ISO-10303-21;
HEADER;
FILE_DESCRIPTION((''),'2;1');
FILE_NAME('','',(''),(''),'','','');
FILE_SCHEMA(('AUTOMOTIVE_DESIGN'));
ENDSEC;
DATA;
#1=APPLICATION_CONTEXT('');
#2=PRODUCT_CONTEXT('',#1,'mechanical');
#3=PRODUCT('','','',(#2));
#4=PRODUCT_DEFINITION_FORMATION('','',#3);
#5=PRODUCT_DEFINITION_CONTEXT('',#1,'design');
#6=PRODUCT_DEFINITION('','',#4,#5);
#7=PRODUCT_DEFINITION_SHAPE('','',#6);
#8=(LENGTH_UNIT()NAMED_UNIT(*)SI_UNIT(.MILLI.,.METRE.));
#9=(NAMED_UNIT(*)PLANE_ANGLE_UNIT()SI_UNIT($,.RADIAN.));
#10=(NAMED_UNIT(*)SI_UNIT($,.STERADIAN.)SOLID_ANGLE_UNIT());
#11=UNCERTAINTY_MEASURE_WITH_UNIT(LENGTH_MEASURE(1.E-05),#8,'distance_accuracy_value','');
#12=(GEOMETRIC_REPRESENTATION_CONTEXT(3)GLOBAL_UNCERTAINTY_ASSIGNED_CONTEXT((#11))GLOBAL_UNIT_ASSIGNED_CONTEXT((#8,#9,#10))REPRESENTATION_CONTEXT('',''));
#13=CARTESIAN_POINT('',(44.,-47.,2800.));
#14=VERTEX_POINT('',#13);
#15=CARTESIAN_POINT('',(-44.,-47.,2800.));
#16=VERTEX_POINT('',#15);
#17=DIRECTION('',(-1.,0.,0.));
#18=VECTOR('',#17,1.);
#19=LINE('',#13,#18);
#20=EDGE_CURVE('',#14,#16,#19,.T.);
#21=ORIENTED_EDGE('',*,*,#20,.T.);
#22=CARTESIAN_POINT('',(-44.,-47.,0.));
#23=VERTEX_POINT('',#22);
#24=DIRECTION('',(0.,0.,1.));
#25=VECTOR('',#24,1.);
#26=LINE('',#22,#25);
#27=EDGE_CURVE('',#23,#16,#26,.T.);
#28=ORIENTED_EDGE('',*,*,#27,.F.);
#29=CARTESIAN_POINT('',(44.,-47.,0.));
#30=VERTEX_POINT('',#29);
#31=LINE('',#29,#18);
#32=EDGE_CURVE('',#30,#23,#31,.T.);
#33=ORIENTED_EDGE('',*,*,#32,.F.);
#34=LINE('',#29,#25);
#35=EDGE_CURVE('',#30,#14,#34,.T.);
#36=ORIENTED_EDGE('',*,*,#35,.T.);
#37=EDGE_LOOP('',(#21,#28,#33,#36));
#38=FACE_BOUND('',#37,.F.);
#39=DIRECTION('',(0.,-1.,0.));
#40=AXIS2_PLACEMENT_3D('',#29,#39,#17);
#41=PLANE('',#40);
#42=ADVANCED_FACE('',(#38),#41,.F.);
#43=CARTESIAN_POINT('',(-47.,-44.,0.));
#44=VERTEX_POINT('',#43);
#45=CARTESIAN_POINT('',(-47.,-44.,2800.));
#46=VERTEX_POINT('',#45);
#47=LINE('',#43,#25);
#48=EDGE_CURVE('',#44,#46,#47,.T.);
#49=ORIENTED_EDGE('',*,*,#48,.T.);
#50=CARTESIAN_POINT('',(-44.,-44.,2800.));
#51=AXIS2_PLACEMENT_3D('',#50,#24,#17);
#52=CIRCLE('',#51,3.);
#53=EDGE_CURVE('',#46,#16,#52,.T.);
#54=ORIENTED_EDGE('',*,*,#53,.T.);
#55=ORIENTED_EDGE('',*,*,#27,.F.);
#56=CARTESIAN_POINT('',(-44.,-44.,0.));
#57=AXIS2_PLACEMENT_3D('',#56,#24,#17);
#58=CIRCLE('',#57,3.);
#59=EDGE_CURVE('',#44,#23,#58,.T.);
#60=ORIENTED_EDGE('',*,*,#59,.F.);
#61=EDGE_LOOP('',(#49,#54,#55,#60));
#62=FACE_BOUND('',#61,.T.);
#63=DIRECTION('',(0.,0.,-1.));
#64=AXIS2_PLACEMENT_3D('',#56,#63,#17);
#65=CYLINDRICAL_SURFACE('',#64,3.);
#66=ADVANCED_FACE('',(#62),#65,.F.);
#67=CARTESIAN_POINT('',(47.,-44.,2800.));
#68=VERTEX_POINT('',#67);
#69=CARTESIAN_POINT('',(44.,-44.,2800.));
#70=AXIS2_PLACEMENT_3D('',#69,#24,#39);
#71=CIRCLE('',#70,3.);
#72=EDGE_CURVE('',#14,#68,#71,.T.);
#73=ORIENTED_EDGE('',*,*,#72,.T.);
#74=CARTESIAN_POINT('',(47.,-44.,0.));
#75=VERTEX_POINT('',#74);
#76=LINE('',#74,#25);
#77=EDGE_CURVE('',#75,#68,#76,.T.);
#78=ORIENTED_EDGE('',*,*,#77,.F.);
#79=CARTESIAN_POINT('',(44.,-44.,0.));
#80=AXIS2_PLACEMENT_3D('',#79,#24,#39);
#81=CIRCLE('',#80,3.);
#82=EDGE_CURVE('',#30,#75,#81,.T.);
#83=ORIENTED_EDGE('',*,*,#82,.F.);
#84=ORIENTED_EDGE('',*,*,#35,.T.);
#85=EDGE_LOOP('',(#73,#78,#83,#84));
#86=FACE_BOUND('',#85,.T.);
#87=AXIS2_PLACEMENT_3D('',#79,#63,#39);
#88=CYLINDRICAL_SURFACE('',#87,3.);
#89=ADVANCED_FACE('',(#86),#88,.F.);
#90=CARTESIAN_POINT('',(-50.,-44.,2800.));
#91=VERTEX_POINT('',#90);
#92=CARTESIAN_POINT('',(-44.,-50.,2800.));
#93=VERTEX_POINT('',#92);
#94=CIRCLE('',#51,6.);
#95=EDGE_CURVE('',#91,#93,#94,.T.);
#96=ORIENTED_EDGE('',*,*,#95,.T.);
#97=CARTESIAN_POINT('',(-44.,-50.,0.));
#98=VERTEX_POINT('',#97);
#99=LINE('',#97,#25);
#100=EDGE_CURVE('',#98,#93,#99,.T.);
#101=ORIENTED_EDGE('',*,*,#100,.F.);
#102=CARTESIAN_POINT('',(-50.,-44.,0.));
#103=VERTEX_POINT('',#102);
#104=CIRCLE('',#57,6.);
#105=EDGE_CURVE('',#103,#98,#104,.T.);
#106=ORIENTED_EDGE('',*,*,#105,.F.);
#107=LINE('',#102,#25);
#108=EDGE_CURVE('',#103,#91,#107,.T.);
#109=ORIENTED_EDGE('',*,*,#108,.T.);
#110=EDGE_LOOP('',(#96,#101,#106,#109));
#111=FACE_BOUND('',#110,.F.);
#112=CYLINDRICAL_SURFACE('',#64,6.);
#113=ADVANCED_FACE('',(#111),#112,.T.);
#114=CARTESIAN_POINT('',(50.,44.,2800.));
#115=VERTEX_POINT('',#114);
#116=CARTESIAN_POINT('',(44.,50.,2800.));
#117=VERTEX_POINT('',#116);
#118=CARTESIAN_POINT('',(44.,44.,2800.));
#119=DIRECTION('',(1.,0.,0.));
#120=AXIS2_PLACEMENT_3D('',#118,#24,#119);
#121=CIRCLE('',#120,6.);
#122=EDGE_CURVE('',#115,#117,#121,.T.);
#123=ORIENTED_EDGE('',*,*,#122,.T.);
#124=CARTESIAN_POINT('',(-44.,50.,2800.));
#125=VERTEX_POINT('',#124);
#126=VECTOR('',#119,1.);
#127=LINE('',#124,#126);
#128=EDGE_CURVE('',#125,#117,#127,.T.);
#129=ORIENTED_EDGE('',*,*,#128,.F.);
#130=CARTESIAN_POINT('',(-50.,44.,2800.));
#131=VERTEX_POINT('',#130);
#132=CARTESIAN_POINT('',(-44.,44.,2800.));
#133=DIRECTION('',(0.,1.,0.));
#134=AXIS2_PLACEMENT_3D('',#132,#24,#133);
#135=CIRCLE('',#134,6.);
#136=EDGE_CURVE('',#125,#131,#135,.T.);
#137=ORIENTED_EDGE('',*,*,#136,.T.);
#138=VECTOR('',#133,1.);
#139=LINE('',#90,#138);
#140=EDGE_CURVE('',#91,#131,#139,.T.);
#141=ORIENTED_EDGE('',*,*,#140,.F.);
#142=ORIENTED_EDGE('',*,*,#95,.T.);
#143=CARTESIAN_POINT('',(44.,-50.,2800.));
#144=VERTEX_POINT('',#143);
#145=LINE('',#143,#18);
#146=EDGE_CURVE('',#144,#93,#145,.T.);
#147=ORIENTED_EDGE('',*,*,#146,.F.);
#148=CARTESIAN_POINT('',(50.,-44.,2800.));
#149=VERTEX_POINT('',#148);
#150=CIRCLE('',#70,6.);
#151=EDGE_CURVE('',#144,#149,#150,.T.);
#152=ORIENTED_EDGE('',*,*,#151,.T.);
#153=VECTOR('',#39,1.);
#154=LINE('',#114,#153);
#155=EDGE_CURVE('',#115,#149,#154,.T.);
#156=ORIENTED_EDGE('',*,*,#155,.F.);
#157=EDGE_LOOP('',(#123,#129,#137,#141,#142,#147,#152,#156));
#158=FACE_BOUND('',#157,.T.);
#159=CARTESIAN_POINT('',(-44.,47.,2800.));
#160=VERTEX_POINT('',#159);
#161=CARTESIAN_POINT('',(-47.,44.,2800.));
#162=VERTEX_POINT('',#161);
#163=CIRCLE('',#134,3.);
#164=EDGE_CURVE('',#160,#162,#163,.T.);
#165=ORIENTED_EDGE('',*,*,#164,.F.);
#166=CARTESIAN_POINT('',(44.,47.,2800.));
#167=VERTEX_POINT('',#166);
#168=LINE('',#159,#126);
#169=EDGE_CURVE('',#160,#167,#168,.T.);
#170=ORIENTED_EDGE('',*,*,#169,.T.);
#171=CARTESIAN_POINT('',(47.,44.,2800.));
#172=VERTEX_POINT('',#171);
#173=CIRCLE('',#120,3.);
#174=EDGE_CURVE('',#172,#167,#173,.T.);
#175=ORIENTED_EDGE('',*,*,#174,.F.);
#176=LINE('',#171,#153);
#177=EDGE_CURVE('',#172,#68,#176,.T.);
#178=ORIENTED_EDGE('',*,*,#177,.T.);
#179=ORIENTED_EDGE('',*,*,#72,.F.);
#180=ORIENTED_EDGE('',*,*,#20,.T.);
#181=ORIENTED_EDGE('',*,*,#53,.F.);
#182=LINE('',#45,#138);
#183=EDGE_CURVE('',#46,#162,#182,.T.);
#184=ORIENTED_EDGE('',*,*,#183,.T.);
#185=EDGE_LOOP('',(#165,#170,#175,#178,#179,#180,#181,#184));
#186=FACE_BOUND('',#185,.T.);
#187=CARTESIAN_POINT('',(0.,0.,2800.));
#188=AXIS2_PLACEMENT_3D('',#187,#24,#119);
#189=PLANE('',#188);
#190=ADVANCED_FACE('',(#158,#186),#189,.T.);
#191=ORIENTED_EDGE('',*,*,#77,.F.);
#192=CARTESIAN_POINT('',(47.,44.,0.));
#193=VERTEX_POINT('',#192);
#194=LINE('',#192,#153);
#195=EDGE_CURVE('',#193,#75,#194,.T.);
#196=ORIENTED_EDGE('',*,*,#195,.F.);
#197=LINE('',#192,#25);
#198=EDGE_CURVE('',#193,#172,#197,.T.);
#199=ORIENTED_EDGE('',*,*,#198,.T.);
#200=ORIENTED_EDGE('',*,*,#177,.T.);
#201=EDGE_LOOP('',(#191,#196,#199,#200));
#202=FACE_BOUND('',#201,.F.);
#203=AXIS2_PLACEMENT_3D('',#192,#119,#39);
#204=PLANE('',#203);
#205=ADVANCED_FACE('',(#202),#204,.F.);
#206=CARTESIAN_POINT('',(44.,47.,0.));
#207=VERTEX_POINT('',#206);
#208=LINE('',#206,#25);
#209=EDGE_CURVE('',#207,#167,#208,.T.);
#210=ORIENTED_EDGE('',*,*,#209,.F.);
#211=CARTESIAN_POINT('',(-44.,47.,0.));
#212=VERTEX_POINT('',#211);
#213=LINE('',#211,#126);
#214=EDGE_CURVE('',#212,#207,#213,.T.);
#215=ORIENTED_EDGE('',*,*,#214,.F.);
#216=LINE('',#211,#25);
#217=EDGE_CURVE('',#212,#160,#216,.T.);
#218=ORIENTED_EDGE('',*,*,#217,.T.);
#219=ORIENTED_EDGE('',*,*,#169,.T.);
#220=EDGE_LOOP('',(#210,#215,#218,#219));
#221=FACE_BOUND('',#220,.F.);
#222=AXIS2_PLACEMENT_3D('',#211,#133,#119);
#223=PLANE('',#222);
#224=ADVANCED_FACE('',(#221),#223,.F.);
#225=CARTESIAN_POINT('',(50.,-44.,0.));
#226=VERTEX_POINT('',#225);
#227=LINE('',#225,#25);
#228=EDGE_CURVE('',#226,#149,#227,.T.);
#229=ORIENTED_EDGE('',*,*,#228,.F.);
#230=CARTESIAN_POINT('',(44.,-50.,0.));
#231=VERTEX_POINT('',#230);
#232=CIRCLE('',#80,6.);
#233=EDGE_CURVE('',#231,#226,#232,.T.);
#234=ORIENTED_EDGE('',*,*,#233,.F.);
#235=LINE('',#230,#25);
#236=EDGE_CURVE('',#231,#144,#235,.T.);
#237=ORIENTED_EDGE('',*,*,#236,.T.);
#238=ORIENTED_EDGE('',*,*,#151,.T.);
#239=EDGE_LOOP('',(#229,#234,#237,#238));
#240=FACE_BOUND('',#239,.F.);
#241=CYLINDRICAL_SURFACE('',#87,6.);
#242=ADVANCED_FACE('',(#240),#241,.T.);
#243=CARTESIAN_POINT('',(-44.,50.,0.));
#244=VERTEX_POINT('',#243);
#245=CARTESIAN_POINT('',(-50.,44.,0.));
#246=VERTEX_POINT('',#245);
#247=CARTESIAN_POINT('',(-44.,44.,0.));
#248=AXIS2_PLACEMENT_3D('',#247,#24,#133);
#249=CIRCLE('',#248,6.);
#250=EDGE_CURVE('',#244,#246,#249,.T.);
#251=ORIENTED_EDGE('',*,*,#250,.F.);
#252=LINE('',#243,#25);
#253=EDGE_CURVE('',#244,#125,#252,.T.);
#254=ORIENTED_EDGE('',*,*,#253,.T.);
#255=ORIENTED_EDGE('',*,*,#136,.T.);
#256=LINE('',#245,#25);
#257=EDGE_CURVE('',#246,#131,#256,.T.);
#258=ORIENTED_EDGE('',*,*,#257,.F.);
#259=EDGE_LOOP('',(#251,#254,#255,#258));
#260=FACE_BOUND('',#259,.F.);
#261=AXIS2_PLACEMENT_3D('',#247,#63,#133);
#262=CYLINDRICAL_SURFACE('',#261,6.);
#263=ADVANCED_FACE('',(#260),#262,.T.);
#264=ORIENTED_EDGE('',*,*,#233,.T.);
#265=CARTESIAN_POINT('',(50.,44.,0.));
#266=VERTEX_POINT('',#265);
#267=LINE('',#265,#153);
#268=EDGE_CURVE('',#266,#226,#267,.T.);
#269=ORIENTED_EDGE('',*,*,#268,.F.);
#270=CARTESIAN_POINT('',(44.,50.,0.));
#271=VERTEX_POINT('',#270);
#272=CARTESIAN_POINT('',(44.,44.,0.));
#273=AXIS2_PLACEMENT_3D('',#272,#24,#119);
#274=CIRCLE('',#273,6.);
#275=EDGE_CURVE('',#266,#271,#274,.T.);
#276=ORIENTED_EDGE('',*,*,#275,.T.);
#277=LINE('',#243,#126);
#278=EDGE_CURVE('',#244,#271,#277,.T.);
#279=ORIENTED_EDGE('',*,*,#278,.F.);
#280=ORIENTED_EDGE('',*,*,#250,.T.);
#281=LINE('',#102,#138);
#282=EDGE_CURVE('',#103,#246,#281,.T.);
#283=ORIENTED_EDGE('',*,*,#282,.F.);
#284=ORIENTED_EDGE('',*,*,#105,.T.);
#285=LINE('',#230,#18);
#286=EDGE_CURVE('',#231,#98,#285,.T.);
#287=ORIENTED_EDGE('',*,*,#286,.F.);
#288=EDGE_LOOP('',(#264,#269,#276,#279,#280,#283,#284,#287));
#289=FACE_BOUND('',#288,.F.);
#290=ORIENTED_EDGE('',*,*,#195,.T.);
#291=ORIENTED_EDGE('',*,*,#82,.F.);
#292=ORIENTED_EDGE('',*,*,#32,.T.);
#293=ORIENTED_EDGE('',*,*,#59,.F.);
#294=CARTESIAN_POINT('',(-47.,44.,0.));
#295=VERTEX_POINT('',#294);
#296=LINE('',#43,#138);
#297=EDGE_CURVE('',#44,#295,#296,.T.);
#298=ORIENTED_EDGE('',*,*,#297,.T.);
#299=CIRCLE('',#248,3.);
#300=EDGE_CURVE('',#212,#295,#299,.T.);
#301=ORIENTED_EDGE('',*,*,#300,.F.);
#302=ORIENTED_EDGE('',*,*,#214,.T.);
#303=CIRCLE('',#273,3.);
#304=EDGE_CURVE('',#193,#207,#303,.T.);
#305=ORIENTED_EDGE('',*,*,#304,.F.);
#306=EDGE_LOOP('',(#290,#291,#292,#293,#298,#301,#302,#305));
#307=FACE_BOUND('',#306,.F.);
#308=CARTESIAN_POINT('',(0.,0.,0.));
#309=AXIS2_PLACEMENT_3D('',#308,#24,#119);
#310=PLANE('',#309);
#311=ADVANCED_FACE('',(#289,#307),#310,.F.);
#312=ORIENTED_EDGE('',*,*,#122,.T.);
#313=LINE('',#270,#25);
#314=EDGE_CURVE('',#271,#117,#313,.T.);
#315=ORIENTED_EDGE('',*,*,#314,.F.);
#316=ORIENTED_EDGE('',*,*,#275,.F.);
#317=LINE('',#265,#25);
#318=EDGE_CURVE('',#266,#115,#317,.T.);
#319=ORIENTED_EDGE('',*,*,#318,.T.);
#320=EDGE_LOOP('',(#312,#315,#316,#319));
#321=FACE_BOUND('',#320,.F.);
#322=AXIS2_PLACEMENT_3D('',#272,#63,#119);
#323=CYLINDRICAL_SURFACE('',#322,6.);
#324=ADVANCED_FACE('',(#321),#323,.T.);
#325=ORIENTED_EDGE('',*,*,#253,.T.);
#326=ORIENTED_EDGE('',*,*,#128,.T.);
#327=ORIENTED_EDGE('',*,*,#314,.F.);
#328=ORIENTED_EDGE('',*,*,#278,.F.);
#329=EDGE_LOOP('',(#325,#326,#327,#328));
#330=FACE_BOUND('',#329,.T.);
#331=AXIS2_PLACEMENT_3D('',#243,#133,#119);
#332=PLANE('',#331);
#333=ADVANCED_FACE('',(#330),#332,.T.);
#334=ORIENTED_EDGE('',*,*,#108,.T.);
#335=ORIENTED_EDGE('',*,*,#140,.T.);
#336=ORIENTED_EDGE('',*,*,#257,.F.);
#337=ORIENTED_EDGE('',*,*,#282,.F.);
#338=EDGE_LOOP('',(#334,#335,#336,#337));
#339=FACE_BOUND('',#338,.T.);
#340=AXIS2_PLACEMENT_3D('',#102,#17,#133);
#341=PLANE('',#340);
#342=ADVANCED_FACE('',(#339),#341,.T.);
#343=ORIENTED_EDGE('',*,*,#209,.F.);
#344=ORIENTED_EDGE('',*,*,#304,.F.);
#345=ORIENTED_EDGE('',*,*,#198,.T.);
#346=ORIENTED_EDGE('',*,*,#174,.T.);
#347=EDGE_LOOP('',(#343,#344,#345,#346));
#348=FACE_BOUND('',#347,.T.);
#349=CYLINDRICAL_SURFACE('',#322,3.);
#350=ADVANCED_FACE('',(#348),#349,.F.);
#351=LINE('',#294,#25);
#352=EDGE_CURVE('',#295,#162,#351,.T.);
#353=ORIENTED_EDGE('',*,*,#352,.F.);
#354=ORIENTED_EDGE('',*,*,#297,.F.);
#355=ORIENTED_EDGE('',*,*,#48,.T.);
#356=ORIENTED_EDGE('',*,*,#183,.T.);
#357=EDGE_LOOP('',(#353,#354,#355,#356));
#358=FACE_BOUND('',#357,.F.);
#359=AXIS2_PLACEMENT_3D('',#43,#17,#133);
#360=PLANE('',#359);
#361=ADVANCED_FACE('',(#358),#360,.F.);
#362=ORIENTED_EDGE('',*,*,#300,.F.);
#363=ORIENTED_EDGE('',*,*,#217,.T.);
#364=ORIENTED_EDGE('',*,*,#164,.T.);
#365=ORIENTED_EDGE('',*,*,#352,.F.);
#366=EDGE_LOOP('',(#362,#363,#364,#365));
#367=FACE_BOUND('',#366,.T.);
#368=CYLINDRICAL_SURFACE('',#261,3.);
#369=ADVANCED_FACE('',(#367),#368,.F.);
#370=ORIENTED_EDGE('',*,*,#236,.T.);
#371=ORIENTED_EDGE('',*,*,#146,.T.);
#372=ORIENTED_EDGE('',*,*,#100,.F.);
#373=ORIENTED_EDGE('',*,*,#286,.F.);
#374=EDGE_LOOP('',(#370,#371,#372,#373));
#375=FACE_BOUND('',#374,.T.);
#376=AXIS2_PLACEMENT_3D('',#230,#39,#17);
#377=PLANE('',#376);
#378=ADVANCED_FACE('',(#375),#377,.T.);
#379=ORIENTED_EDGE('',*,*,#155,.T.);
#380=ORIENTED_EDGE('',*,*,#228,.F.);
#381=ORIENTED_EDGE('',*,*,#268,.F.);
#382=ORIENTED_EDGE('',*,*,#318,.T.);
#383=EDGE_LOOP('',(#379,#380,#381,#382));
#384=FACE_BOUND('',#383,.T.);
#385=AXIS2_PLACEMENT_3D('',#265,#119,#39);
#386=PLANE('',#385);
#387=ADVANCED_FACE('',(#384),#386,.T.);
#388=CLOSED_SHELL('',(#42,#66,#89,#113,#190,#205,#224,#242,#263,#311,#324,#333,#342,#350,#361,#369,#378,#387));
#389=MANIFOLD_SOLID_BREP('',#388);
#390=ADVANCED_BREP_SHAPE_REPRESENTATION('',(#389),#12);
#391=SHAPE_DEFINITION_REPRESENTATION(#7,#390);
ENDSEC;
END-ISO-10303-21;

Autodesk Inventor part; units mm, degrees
ref_plane "YZ Plane" through (0, 0, 0) normal (1, 0, 0) x (0, 1, 0)
ref_plane "Start Plane" through (0, 0, 0) normal (0, 0, 1) x (1, 0, 0)
ref_plane "End Plane" through (0, 0, 2800) normal (0, 0, 1) x (1, 0, 0)
sketch "Sketch" plane through (0, 0, 0) normal (0, 0, 1) x (1, 0, 0)
  line L0 (-50, -44) -> (-50, 44)
  line L1 (-44, 50) -> (44, 50)
  line L2 (50, 44) -> (50, -44)
  line L3 (44, -50) -> (-44, -50)
  arc A0 (-50, -44) -> (-44, -50) centre (-44, -44) ccw
  arc A1 (50, 44) -> (44, 50) centre (44, 44) ccw
  arc A2 (-44, 50) -> (-50, 44) centre (-44, 44) ccw
  arc A3 (44, -50) -> (50, -44) centre (44, -44) ccw
  arc A4 (-44, 47) -> (-47, 44) centre (-44, 44) ccw
  line L4 (-44, 47) -> (44, 47)
  arc A5 (47, 44) -> (44, 47) centre (44, 44) ccw
  line L5 (47, 44) -> (47, -44)
  arc A6 (44, -47) -> (47, -44) centre (44, -44) ccw
  line L6 (44, -47) -> (-44, -47)
  arc A7 (-47, -44) -> (-44, -47) centre (-44, -44) ccw
  line L7 (-47, -44) -> (-47, 44)
  line L8 (0, 71.7397) -> (0, -71.7397) construction
  line L9 (-71.7397, 0) -> (71.7397, 0) construction
  dimension "d7" = 6
  dimension "d9" = 100
  dimension "d11" = 100
  dimension "d12" = 3
  dimension "d15" = 50
  dimension "d16" = 50
extrude "Body" add sketch "Sketch" along normal up to surface (2800 mm away) from surface at 0
sketch "Sketch3" plane through (0, 0, 0) normal (0, 0, 1) x (1, 0, 0)
  line L0 (0, 0) -> (10, 0)
ref_plane "Work Plane3" through (0, 0, 0) normal (0, -1, 0) x (1, 0, 0)
sketch "Sketch4" plane through (0, 0, 0) normal (0, -1, 0) x (1, 0, 0)
  line L0 (-2, 0) -> (12, 0) projected
  line L1 (-2, 2800) -> (12, 2800) projected
  dimension "d18" = 2800
equation "\"d7\" = G_IR"
equation "\"d9\" = G_W"
equation "\"d11\" = G_H"
equation "\"d12\" = G_T"
equation "\"d15\" = 0.5 * d9"
equation "\"d16\" = 0.5 * d11"
equation "\"d3\" = G_L"
equation "\"G_W\" = 100"
equation "\"G_H\" = 100"
equation "\"G_T\" = 3"
equation "\"G_IR\" = 6"
equation "\"G_L\" = d18"
equation "\"G_OFFSET_START\" = 0"
equation "\"G_OFFSET_END\" = 0"
properties part number "ISO 10799-2 - 100x100x3 - 2800" material "Steel, Mild"
